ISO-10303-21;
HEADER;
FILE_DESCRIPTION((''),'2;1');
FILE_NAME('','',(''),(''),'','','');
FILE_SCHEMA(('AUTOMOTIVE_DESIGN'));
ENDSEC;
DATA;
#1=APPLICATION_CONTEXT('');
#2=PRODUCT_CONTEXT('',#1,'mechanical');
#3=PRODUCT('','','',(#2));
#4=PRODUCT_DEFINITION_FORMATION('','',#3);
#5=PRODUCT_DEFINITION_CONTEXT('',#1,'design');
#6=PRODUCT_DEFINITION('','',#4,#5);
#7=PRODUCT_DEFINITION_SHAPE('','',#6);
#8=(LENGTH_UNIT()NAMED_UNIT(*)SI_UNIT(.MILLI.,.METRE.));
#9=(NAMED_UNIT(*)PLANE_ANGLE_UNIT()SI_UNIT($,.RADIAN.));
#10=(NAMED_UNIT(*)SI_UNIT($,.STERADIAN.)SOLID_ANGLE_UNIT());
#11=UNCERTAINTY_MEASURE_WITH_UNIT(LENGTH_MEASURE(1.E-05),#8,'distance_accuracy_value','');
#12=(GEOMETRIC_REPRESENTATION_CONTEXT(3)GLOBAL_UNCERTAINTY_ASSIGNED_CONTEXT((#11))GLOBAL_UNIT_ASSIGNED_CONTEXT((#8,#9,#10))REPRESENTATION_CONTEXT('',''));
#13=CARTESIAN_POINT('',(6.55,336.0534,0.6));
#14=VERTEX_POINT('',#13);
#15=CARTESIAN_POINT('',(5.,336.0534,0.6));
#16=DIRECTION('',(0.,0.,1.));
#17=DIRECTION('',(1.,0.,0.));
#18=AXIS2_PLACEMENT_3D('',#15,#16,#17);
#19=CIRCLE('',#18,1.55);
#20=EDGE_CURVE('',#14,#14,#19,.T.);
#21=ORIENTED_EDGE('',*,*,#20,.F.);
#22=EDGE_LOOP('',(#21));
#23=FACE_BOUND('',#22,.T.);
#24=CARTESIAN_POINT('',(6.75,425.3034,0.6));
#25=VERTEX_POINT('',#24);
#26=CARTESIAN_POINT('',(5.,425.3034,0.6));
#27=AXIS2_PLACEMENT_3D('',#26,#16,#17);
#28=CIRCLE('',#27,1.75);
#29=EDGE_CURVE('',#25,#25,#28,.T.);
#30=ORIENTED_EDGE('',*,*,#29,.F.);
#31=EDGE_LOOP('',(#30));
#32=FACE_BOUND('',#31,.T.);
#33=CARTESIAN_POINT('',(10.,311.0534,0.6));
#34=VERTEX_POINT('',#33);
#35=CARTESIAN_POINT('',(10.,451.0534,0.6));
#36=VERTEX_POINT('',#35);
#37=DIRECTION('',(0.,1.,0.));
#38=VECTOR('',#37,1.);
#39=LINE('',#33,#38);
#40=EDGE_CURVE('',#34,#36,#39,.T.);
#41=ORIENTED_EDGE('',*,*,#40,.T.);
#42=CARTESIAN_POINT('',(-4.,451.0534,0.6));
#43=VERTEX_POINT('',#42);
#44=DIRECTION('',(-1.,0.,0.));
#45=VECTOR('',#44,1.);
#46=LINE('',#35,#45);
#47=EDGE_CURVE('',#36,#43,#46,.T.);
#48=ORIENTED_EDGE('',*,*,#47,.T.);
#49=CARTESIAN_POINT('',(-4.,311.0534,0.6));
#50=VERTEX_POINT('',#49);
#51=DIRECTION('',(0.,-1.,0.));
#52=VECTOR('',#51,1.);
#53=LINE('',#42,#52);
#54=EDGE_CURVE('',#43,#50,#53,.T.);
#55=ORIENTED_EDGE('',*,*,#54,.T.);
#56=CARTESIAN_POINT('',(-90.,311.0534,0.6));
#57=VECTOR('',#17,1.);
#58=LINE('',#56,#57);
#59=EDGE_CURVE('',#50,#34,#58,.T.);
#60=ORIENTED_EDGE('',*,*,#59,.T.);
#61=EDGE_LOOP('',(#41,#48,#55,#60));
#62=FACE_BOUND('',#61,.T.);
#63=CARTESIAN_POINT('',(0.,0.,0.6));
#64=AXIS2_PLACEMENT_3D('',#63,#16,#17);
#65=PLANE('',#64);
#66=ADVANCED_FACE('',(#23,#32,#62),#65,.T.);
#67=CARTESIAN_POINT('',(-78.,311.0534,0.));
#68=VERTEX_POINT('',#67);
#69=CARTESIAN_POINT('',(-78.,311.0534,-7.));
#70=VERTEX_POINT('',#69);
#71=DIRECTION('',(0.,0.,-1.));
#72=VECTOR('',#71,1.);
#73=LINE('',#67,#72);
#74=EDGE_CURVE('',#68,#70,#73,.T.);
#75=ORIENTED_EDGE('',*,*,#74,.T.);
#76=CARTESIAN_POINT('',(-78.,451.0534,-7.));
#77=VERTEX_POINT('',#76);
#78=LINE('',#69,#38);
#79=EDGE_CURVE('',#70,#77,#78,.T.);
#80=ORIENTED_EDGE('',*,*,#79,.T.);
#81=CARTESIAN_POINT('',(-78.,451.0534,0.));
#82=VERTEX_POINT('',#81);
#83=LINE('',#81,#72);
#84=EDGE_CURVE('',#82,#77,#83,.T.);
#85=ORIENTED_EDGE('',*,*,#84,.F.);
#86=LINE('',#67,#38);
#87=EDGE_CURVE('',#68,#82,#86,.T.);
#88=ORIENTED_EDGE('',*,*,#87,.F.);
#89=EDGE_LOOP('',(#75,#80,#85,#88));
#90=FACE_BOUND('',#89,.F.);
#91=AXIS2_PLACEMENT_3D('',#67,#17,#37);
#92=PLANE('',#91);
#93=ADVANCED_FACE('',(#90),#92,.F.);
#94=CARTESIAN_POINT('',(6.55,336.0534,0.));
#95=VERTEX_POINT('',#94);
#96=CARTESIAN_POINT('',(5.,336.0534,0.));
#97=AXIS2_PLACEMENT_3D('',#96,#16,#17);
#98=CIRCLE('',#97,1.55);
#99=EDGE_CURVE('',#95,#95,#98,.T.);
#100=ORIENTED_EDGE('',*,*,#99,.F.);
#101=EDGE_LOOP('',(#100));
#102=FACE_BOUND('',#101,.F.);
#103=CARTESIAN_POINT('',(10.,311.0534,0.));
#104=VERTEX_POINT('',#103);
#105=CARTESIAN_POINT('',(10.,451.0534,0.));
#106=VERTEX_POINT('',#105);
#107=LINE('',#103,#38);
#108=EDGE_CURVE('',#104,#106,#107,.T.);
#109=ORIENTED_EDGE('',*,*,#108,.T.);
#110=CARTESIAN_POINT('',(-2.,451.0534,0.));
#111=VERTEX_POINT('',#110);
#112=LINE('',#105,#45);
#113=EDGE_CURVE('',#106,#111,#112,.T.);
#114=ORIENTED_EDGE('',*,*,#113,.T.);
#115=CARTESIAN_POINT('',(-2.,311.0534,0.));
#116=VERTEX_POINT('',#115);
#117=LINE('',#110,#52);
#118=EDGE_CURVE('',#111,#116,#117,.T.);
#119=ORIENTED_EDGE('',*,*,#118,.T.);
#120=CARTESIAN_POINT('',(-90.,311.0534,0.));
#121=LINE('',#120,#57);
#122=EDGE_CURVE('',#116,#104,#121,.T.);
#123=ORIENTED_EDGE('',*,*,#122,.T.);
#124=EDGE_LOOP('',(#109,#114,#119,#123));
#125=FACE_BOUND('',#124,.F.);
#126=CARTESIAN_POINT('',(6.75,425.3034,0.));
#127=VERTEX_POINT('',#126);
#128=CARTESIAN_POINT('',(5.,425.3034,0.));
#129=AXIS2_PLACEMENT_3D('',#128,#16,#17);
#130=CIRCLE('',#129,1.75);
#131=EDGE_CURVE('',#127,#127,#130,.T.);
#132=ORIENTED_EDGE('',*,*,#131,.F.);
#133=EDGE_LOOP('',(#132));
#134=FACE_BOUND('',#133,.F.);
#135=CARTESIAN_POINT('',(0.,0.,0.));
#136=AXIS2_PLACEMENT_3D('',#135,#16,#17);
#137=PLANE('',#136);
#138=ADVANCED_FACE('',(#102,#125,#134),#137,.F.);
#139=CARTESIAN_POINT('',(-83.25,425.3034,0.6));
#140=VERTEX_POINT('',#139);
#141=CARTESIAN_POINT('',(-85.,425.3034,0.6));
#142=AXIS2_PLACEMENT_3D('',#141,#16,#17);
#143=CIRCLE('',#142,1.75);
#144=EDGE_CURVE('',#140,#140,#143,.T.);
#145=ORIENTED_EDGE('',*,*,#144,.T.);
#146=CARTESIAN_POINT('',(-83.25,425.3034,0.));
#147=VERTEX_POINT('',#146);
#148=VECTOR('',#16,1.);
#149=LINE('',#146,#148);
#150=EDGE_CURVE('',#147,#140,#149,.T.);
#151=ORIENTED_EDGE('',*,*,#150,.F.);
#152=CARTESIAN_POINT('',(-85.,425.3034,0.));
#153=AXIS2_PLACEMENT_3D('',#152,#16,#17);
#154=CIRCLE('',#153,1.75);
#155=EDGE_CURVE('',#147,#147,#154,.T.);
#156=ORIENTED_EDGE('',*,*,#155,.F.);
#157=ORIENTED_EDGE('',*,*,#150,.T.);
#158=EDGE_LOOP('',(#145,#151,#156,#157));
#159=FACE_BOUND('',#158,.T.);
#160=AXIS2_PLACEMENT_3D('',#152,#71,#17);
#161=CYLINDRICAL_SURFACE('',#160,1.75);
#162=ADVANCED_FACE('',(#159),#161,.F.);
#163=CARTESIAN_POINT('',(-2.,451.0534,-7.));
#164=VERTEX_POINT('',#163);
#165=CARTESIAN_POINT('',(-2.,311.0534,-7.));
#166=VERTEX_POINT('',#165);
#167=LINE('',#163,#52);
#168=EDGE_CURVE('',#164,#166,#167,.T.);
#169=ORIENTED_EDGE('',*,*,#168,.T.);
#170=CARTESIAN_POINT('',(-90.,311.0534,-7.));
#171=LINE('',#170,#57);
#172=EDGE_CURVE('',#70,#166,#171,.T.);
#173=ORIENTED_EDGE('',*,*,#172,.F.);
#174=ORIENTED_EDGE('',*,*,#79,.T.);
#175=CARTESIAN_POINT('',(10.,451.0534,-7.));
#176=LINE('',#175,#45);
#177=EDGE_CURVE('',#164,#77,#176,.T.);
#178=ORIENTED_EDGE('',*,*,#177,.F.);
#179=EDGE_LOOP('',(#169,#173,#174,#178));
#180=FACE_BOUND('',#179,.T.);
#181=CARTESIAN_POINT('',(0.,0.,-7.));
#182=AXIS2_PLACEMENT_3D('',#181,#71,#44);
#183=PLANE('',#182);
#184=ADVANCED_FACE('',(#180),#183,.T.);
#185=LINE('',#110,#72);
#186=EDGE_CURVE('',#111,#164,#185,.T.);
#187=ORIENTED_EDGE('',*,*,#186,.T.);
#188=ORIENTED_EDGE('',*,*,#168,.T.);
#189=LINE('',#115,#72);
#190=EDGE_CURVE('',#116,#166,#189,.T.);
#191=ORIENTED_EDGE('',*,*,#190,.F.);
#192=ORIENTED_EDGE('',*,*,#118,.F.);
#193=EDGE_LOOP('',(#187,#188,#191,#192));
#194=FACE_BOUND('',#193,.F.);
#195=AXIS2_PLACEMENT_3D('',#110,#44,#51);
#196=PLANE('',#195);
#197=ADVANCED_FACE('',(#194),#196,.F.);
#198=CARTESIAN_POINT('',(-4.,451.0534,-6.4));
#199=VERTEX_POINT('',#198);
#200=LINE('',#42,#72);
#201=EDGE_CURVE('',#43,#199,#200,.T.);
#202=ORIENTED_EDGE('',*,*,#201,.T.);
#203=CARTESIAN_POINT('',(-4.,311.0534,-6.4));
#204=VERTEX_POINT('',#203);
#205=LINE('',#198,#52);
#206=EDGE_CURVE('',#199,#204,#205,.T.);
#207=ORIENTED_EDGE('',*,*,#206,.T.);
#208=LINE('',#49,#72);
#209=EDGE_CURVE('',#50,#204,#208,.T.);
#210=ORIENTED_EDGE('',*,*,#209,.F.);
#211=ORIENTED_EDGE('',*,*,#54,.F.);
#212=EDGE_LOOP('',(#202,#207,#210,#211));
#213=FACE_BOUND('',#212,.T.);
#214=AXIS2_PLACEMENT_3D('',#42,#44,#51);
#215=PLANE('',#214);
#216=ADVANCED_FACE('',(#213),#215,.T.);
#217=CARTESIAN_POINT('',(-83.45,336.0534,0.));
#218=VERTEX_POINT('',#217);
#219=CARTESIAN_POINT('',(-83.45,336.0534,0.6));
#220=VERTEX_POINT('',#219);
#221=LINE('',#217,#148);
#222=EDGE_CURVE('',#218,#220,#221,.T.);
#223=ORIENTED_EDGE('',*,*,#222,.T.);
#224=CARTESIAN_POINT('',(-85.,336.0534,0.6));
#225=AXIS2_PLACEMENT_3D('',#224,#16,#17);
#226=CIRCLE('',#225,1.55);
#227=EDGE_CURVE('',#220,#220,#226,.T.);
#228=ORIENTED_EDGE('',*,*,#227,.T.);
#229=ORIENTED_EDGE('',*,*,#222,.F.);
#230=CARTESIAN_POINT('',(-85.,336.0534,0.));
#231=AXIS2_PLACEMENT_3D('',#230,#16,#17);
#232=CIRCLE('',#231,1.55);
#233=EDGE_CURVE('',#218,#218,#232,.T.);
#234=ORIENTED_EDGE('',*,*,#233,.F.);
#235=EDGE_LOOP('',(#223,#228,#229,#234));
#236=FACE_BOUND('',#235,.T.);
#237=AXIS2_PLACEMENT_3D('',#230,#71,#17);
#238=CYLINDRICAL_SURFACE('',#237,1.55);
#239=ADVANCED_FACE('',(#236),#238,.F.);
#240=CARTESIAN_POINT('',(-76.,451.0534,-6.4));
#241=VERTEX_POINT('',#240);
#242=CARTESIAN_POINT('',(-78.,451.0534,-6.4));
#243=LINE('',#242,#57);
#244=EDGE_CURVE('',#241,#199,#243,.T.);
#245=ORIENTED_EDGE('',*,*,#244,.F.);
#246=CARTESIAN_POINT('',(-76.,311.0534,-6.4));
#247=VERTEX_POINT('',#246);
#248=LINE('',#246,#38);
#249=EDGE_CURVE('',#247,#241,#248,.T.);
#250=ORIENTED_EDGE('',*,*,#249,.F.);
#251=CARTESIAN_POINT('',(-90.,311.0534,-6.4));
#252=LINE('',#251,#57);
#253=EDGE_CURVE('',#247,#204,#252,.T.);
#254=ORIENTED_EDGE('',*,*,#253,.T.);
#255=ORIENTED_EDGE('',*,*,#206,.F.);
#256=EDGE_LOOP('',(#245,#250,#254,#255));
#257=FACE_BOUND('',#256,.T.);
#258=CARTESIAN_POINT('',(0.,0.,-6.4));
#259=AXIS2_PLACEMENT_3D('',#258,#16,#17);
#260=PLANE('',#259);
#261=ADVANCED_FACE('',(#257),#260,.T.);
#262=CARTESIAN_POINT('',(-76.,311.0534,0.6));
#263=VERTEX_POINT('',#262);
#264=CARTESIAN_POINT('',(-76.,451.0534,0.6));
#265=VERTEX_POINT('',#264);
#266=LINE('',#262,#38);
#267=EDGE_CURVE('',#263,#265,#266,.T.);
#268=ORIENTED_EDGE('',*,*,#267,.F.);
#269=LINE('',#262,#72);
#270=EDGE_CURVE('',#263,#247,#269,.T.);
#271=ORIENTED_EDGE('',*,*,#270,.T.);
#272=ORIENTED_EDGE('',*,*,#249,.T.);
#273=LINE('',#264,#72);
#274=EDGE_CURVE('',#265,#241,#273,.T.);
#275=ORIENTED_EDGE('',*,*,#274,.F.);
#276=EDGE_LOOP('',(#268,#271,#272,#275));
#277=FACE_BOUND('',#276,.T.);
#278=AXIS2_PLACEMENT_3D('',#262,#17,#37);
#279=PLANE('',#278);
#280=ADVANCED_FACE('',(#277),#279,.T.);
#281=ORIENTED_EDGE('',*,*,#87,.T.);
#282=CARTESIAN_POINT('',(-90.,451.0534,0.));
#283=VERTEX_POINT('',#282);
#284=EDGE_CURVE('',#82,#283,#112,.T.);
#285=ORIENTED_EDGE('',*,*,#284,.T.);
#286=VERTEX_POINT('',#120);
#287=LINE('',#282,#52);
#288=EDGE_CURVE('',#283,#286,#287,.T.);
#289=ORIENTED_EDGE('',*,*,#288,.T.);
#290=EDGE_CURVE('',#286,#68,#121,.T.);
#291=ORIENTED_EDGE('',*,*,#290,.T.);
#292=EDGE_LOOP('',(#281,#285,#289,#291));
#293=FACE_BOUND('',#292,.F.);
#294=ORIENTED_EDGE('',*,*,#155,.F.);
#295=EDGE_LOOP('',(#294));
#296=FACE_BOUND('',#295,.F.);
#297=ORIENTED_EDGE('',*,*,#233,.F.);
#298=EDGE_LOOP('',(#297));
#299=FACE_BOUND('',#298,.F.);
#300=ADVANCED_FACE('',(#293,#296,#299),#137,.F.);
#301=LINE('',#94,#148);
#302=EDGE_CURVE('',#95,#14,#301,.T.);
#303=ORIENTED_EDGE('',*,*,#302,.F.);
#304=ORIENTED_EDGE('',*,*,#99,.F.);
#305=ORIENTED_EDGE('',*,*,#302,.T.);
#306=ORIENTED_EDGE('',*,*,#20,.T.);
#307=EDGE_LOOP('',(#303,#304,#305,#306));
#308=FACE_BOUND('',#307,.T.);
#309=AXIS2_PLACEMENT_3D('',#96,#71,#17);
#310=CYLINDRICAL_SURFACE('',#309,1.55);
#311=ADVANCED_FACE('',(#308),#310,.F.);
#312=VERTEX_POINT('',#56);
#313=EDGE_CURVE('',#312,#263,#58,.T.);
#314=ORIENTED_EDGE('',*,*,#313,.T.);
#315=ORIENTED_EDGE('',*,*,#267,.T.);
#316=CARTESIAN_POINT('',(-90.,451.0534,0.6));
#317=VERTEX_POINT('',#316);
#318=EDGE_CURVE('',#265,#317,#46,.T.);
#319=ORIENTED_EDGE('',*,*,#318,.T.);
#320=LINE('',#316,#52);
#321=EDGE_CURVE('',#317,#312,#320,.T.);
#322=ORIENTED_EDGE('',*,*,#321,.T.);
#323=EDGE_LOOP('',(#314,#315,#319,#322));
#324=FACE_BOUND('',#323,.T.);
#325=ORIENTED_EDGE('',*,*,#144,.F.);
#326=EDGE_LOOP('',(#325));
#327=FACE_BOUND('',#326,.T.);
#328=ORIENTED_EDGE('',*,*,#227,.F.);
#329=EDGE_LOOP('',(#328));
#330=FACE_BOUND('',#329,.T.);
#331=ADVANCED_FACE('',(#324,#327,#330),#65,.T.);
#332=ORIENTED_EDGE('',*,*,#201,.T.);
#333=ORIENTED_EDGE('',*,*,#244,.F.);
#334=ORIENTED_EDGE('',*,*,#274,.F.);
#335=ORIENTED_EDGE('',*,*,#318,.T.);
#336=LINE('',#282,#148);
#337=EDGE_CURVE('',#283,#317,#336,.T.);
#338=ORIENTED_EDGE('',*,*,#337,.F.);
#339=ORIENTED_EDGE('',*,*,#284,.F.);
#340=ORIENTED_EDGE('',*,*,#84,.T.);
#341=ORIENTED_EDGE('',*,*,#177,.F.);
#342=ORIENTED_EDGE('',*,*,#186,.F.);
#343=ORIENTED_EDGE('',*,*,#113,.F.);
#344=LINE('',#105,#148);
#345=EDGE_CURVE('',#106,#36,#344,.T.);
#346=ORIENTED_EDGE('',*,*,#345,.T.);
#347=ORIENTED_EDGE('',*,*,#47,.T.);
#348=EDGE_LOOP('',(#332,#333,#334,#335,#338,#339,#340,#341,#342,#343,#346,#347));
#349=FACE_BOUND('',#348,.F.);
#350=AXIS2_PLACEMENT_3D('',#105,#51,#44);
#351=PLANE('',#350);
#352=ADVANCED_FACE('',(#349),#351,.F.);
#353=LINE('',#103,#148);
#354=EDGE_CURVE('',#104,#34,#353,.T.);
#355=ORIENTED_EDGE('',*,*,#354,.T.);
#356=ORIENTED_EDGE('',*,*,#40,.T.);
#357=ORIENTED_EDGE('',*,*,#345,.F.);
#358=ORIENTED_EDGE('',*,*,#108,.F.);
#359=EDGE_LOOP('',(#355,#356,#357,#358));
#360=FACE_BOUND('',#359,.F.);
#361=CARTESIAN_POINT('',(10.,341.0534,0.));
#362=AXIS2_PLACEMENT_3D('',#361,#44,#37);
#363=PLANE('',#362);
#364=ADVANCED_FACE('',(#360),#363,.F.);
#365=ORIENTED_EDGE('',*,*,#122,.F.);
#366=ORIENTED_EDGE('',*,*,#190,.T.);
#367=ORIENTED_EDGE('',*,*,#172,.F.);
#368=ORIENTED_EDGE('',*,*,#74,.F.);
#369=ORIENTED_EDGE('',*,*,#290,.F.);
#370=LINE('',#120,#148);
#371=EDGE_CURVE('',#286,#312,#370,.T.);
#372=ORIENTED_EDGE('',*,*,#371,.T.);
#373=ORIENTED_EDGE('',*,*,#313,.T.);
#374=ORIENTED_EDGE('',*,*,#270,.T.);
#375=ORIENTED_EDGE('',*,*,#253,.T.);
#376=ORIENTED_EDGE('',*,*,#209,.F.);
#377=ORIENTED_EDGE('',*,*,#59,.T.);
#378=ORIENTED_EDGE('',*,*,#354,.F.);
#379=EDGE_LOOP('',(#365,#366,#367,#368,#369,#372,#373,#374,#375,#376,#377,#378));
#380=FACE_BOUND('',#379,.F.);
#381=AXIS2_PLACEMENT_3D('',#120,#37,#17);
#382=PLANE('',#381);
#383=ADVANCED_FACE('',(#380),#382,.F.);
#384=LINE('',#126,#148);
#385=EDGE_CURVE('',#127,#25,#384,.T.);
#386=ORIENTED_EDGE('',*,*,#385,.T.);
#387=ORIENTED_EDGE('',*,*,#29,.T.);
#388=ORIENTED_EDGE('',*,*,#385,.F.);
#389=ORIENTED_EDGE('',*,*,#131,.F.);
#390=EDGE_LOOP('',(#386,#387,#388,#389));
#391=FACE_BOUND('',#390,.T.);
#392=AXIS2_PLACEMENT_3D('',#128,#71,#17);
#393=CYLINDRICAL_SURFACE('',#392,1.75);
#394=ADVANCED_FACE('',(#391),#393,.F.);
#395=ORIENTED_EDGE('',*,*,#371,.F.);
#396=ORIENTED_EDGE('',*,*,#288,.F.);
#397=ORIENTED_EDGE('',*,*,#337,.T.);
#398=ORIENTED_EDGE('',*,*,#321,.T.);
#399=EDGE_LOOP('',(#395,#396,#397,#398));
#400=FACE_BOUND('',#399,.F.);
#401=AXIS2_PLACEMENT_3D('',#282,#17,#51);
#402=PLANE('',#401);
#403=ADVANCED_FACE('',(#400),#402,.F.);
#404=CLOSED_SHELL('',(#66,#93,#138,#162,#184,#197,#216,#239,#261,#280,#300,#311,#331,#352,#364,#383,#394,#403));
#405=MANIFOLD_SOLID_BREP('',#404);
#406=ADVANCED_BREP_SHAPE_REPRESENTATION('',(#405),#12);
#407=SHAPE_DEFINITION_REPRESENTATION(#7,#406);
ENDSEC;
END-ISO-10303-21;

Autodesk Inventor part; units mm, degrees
ref_plane "YZ Plane" through (0, 0, 0) normal (1, 0, 0) x (0, 1, 0)
ref_plane "XZ Plane" through (0, 0, 0) normal (0, 1, 0) x (-1, 0, 0)
ref_plane "XY Plane" through (0, 0, 0) normal (0, 0, 1) x (1, 0, 0)
sketch "Skizze1" plane through (0, 0, 0) normal (0, 0, 1) x (1, 0, 0)
  line L0 (-90, 421.0534) -> (-90, 451.3884) construction
  line L1 (-90, 311.0534) -> (10, 311.0534)
  line L2 (10, 311.0534) -> (10, 451.0534)
  line L3 (10, 451.0534) -> (-90, 451.0534)
  line L4 (-90, 451.0534) -> (-90, 311.0534)
  circle A0 centre (5, 336.0534) radius 1.55 projected
  circle A1 centre (-85, 425.3034) radius 1.75 projected
  line L5 (10, 304.3034) -> (10, 341.0534) projected
  circle A2 centre (-85, 336.0534) radius 1.55 projected
  circle A3 centre (5, 425.3034) radius 1.75 projected
  line L6 (-90, 304.3034) -> (-90, 341.0534) construction
  point P0 (0, 0)
  dimension "d14" = 25.75
  dimension "d15" = 25
extrude "Extrusion1" add sketch "Skizze1" along normal blind 0.6
sketch "Skizze2" plane through (0, 0, 0) normal (0, 0, -1) x (-1, 0, 0)
  line L0 (90, 311.0534) -> (-10, 311.0534) projected
  line L1 (-10, 451.0534) -> (90, 451.0534) projected
  line L2 (2, 311.0534) -> (78, 311.0534)
  line L3 (78, 311.0534) -> (78, 451.0534)
  line L4 (78, 451.0534) -> (2, 451.0534)
  line L5 (2, 451.0534) -> (2, 311.0534)
  line L6 (-10, 311.0534) -> (-10, 451.0534) projected
  line L7 (90, 451.0534) -> (90, 311.0534) projected
  line L8 (78, 451.0534) -> (2, 451.0534)
  line L9 (2, 451.0534) -> (2, 311.0534)
  line L10 (2, 311.0534) -> (78, 311.0534)
  line L11 (78, 311.0534) -> (78, 451.0534)
  point P0 (0, 0)
  dimension "d4" = 12
  dimension "d5" = 12
extrude "Extrusion3" add sketch "Skizze2" along normal blind 7 contours L0 L5 L1 L3
sketch "Skizze3" plane through (0, 0, 0.6) normal (0, 0, 1) x (1, 0, 0)
  line L0 (-2, 311.0534) -> (-78, 311.0534) construction
  line L1 (-78, 311.0534) -> (-78, 451.0534) construction
  line L2 (-78, 451.0534) -> (-2, 451.0534) construction
  line L3 (-2, 451.0534) -> (-2, 311.0534) construction
  line L4 (-90, 311.0534) -> (10, 311.0534) projected
  line L5 (-78, 451.0534) -> (-2, 451.0534) projected
  line L6 (-4, 311.0534) -> (-76, 311.0534)
  line L7 (-76, 311.0534) -> (-76, 451.0534)
  line L8 (-76, 451.0534) -> (-4, 451.0534)
  line L9 (-4, 451.0534) -> (-4, 311.0534)
  point P0 (0, 0)
  dimension "d10" = 2
  dimension "d11" = 2
extrude "Extrusion4" cut sketch "Skizze3" against normal blind 7
properties part number "PCB-Mount"
